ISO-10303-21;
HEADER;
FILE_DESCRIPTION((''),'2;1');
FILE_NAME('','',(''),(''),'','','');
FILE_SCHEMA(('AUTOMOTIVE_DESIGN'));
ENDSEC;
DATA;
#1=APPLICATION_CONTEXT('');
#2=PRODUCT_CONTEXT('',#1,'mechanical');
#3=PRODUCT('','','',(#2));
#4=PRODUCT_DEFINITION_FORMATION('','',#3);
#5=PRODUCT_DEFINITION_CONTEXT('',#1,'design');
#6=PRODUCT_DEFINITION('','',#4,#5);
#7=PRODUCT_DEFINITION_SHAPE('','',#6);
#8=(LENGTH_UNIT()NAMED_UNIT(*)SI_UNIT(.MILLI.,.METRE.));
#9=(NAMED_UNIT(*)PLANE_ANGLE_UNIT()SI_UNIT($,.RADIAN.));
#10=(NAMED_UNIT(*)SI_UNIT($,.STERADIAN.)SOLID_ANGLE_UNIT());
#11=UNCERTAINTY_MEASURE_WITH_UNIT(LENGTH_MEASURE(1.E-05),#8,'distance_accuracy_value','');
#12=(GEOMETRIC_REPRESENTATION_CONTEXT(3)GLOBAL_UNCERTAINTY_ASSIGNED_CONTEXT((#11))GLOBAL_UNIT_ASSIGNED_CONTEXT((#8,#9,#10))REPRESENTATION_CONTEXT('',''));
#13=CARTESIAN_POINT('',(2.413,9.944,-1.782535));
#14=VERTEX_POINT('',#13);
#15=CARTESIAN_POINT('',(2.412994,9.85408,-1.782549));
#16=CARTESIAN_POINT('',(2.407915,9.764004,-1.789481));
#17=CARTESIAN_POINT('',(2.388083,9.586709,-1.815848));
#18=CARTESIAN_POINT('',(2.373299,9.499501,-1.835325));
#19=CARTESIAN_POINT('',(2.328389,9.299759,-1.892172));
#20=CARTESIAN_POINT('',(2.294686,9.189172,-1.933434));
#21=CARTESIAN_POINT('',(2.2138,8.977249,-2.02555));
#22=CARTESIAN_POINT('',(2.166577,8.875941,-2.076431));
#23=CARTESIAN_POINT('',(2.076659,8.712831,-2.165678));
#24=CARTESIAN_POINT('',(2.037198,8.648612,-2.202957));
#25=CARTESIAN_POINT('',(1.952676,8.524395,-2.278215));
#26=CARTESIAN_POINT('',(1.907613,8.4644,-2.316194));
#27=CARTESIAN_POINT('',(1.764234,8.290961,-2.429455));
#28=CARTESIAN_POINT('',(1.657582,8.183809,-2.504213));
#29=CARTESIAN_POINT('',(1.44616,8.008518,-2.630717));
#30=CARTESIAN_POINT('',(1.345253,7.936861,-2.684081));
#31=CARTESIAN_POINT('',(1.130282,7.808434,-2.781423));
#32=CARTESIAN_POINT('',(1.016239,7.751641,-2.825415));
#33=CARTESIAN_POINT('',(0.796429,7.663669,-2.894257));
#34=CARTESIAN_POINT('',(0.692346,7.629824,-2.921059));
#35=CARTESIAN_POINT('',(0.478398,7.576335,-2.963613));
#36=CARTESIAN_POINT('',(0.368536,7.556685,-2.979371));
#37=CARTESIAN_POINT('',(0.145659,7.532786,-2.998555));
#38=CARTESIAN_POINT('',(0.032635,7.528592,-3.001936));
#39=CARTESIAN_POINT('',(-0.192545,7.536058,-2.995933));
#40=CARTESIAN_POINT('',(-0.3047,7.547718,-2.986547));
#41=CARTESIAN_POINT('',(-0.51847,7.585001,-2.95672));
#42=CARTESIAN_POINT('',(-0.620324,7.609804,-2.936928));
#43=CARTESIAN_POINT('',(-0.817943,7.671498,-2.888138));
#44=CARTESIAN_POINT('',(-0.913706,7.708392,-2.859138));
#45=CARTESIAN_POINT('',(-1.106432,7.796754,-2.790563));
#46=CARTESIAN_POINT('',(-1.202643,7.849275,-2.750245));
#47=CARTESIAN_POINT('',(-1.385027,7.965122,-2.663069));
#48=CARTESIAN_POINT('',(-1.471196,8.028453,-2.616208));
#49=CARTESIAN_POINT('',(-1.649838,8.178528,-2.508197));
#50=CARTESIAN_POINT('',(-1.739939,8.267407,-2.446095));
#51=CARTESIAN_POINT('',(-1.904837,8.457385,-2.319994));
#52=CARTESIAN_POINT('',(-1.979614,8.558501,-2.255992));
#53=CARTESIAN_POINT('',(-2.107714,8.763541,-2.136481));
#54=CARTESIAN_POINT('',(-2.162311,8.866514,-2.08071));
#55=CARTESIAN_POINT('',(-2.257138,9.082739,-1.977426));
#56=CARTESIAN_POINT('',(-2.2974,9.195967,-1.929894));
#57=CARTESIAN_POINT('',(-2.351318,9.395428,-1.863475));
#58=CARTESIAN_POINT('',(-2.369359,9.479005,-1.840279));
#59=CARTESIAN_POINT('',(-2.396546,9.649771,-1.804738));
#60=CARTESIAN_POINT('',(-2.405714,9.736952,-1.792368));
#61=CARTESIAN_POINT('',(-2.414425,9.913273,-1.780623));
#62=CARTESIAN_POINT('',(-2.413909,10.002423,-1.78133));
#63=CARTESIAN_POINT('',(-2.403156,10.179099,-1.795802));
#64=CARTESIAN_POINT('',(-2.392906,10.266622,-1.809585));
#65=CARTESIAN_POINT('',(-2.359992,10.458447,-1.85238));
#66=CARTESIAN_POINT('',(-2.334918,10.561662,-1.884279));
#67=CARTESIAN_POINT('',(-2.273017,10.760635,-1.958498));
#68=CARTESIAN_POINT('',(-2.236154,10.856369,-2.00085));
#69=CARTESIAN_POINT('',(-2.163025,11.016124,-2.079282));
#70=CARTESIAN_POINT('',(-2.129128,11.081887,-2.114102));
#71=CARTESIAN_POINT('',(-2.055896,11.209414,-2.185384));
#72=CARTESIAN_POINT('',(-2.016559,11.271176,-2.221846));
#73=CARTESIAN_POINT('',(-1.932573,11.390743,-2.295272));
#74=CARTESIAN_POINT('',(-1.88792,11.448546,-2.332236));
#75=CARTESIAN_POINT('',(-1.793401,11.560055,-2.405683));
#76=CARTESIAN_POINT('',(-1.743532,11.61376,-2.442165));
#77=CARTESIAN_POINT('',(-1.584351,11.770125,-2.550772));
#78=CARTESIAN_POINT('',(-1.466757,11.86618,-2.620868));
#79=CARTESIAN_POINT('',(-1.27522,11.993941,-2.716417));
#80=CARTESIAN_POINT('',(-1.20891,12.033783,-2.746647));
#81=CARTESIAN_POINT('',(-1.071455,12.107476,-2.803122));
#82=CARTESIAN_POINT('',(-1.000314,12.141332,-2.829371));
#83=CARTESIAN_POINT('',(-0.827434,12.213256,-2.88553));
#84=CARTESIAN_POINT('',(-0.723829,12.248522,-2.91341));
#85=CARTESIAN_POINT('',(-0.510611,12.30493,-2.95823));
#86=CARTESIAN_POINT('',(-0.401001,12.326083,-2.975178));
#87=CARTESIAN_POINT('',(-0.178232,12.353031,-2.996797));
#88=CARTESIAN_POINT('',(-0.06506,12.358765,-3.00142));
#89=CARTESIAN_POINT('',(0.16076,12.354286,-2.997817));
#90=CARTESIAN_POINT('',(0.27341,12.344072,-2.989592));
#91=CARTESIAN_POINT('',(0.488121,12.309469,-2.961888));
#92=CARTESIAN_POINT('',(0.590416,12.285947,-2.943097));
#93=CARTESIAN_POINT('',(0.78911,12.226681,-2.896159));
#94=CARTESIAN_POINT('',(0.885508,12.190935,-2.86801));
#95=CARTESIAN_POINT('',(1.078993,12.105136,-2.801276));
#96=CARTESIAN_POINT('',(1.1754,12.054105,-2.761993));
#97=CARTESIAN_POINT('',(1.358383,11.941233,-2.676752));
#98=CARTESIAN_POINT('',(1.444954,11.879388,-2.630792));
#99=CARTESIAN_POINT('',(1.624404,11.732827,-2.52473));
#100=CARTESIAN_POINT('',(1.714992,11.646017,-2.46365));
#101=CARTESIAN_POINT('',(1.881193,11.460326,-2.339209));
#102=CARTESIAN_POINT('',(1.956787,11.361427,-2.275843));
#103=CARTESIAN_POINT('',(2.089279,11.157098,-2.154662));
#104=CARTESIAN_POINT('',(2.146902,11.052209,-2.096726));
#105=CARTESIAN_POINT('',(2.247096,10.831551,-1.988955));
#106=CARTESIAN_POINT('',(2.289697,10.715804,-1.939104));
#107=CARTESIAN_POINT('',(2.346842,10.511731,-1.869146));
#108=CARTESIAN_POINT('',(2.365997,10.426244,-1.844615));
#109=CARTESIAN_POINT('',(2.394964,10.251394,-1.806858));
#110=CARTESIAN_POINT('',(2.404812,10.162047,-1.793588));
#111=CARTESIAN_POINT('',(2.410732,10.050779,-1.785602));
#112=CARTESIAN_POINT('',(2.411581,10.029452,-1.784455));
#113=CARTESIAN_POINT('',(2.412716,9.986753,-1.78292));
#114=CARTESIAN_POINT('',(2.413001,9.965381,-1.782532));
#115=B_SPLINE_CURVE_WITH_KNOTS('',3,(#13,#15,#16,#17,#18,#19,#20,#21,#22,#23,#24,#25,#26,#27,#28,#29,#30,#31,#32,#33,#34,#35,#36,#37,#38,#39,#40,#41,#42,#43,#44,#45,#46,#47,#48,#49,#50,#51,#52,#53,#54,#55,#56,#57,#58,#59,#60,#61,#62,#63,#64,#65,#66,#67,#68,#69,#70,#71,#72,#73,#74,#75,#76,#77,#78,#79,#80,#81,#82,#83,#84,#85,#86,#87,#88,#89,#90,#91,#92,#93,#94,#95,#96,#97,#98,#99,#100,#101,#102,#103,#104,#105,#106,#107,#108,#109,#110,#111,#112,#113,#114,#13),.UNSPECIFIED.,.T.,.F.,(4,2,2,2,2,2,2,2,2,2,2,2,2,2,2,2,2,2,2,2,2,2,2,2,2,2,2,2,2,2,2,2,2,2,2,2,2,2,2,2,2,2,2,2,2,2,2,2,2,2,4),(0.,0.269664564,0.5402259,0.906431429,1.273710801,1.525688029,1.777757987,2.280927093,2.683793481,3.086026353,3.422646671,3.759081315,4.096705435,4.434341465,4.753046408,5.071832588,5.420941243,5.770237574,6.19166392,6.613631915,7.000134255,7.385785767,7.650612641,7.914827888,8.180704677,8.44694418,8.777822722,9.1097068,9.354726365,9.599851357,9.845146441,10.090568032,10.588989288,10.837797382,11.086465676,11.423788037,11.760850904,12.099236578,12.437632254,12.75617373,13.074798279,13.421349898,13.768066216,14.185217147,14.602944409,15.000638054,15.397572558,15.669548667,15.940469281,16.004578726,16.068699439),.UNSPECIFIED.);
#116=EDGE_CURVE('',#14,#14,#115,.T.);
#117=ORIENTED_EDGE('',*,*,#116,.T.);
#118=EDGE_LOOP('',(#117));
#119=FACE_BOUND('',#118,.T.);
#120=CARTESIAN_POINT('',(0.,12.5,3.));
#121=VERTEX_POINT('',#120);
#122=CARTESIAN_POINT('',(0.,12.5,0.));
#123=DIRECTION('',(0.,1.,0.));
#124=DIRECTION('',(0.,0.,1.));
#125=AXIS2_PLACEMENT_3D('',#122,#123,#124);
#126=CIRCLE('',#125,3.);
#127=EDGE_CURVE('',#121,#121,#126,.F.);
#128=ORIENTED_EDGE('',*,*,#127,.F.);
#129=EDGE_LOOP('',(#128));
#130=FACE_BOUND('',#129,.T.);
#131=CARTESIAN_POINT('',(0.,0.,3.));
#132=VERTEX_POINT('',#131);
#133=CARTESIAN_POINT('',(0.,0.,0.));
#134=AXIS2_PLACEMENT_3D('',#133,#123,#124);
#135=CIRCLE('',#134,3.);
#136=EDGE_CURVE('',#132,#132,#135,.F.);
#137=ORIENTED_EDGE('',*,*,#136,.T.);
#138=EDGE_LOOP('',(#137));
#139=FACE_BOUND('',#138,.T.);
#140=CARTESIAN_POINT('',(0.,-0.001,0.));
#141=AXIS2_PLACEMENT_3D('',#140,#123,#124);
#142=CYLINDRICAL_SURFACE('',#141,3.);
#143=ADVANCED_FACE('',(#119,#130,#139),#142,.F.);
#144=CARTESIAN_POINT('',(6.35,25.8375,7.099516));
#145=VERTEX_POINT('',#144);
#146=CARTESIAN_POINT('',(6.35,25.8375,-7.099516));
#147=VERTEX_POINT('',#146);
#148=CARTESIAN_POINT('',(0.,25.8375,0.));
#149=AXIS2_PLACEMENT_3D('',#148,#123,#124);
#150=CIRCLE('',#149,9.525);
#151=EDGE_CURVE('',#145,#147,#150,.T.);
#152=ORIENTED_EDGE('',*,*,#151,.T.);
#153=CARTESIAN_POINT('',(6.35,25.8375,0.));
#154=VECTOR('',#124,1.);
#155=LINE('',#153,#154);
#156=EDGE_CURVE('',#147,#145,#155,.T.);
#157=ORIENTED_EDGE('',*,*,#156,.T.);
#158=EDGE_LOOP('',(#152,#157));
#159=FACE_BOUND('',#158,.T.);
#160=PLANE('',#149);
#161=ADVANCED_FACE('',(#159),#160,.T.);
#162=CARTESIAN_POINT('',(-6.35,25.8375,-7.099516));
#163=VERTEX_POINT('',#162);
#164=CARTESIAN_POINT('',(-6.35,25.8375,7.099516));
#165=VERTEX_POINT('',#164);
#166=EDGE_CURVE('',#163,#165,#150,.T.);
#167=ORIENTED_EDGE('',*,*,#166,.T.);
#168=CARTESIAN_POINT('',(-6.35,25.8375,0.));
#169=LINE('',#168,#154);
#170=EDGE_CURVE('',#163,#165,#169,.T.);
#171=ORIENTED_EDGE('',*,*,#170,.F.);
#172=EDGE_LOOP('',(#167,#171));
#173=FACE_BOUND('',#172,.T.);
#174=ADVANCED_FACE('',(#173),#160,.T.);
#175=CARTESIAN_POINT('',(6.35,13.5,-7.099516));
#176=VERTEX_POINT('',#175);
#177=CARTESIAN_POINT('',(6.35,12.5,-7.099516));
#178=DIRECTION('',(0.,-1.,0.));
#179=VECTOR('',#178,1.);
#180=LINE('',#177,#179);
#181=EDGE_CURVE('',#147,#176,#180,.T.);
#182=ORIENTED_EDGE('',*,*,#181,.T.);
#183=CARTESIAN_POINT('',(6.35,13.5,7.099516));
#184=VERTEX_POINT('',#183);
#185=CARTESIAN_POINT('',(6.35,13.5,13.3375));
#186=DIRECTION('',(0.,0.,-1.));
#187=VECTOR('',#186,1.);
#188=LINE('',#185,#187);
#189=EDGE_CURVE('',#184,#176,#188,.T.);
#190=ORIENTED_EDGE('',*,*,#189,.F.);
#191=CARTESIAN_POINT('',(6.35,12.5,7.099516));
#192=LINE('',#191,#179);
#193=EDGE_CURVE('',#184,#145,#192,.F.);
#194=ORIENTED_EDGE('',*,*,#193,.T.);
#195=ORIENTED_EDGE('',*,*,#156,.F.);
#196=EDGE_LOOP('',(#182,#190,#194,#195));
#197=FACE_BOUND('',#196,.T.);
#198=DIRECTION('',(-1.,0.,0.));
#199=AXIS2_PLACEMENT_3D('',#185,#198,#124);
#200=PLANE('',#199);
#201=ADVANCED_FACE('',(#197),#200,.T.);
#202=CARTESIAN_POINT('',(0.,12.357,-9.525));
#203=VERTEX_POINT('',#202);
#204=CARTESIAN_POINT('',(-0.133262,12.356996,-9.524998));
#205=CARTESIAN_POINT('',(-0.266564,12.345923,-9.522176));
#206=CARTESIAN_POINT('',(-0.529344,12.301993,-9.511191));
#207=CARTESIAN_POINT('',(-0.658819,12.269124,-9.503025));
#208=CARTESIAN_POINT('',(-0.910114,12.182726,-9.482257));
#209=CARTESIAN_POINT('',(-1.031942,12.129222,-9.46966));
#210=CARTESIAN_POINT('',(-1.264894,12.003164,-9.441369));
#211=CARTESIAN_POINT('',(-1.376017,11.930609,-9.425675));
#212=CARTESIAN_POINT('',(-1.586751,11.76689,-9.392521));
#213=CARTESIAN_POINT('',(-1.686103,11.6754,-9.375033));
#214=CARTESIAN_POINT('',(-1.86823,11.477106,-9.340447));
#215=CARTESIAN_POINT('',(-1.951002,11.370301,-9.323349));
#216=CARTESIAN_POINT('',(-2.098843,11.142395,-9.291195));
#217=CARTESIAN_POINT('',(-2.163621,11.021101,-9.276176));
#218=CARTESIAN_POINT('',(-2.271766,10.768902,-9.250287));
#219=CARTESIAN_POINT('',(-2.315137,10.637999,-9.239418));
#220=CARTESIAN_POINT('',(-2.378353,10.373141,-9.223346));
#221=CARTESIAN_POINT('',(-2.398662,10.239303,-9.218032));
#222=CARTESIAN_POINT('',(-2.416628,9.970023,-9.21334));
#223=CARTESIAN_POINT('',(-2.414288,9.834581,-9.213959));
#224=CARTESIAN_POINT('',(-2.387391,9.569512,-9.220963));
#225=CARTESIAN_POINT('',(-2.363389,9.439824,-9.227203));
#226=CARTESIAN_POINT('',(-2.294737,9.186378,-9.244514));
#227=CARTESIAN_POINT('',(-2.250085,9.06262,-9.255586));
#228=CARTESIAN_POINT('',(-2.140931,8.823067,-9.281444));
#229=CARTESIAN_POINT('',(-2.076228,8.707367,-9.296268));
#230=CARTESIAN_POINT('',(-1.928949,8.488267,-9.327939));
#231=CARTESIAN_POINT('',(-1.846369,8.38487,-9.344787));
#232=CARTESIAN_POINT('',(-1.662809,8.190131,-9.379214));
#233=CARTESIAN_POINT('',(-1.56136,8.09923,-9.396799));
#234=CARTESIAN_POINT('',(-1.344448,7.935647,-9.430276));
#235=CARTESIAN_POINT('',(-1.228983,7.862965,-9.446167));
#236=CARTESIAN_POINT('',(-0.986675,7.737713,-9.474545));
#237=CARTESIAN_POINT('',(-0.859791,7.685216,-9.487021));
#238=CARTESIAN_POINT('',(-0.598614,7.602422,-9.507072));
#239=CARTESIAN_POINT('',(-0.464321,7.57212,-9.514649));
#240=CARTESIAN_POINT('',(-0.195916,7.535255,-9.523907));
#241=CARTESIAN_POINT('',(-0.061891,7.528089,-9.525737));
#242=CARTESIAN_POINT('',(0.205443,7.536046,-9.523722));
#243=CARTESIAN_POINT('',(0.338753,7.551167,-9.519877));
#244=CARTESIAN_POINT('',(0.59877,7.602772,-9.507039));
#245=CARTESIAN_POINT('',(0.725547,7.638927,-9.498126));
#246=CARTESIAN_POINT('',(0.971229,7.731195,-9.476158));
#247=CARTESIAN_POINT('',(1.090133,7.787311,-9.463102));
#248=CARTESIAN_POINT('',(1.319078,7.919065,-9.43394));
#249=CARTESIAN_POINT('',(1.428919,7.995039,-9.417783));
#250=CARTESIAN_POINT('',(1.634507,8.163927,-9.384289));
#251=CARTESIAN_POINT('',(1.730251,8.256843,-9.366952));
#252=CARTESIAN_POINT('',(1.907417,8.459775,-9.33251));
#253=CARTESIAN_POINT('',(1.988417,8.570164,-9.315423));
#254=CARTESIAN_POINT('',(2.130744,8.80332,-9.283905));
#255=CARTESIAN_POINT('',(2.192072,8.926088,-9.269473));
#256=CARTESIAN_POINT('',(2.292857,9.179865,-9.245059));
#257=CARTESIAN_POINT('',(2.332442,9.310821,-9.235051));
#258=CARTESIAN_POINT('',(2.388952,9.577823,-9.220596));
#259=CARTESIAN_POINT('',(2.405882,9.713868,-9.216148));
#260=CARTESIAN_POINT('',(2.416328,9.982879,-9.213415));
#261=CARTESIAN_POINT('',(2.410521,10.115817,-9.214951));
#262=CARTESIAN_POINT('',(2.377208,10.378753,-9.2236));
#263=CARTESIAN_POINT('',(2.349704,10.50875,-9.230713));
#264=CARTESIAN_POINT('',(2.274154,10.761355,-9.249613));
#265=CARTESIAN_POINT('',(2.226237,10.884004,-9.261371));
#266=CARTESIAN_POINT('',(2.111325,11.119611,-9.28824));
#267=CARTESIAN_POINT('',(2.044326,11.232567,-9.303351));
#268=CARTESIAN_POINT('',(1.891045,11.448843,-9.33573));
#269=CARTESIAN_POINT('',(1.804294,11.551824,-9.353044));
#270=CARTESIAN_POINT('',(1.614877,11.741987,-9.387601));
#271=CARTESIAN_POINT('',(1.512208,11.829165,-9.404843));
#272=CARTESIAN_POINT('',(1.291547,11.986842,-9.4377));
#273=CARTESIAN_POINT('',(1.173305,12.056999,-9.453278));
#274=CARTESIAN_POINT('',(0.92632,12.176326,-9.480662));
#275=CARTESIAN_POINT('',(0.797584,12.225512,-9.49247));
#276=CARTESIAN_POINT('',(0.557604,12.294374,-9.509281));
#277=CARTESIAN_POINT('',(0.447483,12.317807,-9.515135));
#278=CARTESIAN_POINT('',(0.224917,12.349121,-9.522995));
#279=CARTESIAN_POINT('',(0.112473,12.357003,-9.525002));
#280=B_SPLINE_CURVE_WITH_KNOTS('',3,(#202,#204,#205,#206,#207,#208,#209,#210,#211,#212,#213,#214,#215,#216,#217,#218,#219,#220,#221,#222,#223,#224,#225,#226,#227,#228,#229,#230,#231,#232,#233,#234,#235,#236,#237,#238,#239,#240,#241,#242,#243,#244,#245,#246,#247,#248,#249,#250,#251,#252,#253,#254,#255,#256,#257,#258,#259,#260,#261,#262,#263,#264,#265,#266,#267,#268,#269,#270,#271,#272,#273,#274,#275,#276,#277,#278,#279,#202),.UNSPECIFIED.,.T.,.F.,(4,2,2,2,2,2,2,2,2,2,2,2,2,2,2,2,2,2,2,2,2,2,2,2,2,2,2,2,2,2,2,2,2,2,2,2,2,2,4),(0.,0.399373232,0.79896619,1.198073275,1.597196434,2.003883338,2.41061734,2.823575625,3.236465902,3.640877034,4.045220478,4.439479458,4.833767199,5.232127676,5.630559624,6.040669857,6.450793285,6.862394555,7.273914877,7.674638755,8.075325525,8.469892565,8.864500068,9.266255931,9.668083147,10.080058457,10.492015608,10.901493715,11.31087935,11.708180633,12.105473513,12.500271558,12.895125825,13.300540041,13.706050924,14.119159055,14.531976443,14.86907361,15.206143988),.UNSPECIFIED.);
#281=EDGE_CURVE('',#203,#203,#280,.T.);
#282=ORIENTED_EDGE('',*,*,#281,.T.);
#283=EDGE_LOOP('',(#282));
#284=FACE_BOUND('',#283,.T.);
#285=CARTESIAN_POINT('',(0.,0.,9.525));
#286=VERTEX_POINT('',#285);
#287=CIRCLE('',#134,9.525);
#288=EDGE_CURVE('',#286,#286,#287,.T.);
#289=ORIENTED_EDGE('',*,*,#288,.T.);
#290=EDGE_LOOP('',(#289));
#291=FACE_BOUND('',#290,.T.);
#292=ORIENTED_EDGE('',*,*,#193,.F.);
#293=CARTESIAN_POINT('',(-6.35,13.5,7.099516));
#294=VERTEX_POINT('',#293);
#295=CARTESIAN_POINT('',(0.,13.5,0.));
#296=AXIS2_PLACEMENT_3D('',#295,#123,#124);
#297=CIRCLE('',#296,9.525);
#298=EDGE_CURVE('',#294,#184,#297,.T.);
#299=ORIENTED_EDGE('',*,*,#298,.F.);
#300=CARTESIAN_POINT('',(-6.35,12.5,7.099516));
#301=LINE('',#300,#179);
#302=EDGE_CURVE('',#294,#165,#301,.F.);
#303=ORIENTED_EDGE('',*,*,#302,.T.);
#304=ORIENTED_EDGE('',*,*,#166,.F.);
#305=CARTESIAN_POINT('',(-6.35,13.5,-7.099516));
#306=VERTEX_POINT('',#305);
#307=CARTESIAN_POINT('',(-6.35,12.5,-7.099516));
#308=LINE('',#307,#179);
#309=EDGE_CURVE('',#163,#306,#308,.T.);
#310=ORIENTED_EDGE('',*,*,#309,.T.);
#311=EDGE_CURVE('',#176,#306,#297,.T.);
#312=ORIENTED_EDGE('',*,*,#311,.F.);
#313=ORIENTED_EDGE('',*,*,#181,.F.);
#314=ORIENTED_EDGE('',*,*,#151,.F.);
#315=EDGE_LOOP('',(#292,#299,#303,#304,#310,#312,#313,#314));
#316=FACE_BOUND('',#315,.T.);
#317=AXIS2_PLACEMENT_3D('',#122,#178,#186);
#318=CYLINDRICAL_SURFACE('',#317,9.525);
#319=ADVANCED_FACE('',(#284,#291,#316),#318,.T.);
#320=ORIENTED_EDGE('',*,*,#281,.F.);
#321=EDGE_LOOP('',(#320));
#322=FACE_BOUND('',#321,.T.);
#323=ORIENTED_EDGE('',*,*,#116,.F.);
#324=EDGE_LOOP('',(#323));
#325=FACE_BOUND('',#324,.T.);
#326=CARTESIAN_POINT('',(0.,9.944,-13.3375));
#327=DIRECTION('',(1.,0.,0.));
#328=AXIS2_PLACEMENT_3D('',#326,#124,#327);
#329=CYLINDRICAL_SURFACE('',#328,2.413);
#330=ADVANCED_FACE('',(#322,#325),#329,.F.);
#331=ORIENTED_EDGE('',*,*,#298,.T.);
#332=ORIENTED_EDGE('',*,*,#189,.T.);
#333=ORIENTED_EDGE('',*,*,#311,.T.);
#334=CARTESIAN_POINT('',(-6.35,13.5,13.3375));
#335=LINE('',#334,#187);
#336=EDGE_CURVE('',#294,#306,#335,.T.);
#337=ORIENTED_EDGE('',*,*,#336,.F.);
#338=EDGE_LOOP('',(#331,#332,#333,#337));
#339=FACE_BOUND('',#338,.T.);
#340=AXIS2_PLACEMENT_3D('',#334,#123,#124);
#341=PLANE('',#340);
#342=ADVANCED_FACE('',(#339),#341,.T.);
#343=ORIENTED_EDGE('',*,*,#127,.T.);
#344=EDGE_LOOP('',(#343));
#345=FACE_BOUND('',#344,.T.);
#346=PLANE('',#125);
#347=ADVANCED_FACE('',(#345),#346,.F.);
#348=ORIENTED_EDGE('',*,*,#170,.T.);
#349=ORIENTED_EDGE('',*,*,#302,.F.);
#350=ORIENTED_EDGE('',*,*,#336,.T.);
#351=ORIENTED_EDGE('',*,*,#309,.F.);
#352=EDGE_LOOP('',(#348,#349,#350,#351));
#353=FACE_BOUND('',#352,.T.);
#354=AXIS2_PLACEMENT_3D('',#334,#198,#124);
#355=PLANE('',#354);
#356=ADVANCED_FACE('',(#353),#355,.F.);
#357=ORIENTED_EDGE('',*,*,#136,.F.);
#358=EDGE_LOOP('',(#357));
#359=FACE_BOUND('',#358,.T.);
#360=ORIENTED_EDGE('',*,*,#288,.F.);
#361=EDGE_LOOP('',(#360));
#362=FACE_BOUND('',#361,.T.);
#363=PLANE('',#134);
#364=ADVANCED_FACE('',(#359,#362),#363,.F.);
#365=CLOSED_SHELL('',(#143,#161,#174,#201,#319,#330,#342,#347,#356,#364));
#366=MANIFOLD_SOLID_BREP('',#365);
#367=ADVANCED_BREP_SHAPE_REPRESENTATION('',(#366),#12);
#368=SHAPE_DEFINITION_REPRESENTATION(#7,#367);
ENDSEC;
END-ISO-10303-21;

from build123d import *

# Parameters (mm, degrees)
SKETCH1_R               = 9.525
BOSS_EXTRUDE1_DEPTH     = 12.5
CUT_EXTRUDE1_REACH      = 20.377
SKETCH2_R               = 3
SKETCH3_R               = 9.525
BOSS_EXTRUDE2_DEPTH     = 13.3375
CUT_EXTRUDE2_DEPTH      = 13.3375
CUT_EXTRUDE2_DEPTH_BACK = 13.3375
SKETCH4_W               = 12.7
SKETCH4_H               = 12.3375
SKETCH5_R               = 2.413
CUT_EXTRUDE4_DEPTH      = 13.3375


with BuildPart() as part:
    # Sketch1 → Boss-Extrude1 (new body)
    with BuildSketch(Plane(origin=(0, 0, 0), x_dir=(1, 0, 0), z_dir=(0, 1, 0))):
        Circle(SKETCH1_R)
    extrude(amount=BOSS_EXTRUDE1_DEPTH)

    # Sketch2 → Cut-Extrude1 (cut, up to next)
    with BuildSketch(Plane(origin=(0, 12.5, 0), x_dir=(1, 0, 0), z_dir=(0, 1, 0)), mode=Mode.PRIVATE) as cut_extrude1_sk1:
        Circle(SKETCH2_R)
    cut_extrude1_tool1 = extrude(cut_extrude1_sk1.sketch, amount=-CUT_EXTRUDE1_REACH, mode=Mode.PRIVATE) & part.part
    add(cut_extrude1_tool1.solids().sort_by_distance((0, 12.5, 0))[0], mode=Mode.SUBTRACT)

    # Sketch3 → Boss-Extrude2 (add)
    with BuildSketch(Plane(origin=(0, 12.5, 0), x_dir=(1, 0, 0), z_dir=(0, 1, 0))):
        Circle(SKETCH3_R)
    extrude(amount=BOSS_EXTRUDE2_DEPTH)

    # Sketch4 → Cut-Extrude2 (cut, two sides: drawn at the far end of the back side and taken through both)
    with BuildSketch(Plane.XY.offset(-CUT_EXTRUDE2_DEPTH_BACK)):
        with Locations((0, 19.66875)):
            Rectangle(SKETCH4_W, SKETCH4_H)
    extrude(amount=CUT_EXTRUDE2_DEPTH + CUT_EXTRUDE2_DEPTH_BACK, mode=Mode.SUBTRACT)

    # Sketch5 → Cut-Extrude4 (cut)
    with BuildSketch(Plane.XY):
        with Locations((0, 9.944)):
            Circle(SKETCH5_R)
    extrude(amount=-CUT_EXTRUDE4_DEPTH, mode=Mode.SUBTRACT)


solid = part.part
